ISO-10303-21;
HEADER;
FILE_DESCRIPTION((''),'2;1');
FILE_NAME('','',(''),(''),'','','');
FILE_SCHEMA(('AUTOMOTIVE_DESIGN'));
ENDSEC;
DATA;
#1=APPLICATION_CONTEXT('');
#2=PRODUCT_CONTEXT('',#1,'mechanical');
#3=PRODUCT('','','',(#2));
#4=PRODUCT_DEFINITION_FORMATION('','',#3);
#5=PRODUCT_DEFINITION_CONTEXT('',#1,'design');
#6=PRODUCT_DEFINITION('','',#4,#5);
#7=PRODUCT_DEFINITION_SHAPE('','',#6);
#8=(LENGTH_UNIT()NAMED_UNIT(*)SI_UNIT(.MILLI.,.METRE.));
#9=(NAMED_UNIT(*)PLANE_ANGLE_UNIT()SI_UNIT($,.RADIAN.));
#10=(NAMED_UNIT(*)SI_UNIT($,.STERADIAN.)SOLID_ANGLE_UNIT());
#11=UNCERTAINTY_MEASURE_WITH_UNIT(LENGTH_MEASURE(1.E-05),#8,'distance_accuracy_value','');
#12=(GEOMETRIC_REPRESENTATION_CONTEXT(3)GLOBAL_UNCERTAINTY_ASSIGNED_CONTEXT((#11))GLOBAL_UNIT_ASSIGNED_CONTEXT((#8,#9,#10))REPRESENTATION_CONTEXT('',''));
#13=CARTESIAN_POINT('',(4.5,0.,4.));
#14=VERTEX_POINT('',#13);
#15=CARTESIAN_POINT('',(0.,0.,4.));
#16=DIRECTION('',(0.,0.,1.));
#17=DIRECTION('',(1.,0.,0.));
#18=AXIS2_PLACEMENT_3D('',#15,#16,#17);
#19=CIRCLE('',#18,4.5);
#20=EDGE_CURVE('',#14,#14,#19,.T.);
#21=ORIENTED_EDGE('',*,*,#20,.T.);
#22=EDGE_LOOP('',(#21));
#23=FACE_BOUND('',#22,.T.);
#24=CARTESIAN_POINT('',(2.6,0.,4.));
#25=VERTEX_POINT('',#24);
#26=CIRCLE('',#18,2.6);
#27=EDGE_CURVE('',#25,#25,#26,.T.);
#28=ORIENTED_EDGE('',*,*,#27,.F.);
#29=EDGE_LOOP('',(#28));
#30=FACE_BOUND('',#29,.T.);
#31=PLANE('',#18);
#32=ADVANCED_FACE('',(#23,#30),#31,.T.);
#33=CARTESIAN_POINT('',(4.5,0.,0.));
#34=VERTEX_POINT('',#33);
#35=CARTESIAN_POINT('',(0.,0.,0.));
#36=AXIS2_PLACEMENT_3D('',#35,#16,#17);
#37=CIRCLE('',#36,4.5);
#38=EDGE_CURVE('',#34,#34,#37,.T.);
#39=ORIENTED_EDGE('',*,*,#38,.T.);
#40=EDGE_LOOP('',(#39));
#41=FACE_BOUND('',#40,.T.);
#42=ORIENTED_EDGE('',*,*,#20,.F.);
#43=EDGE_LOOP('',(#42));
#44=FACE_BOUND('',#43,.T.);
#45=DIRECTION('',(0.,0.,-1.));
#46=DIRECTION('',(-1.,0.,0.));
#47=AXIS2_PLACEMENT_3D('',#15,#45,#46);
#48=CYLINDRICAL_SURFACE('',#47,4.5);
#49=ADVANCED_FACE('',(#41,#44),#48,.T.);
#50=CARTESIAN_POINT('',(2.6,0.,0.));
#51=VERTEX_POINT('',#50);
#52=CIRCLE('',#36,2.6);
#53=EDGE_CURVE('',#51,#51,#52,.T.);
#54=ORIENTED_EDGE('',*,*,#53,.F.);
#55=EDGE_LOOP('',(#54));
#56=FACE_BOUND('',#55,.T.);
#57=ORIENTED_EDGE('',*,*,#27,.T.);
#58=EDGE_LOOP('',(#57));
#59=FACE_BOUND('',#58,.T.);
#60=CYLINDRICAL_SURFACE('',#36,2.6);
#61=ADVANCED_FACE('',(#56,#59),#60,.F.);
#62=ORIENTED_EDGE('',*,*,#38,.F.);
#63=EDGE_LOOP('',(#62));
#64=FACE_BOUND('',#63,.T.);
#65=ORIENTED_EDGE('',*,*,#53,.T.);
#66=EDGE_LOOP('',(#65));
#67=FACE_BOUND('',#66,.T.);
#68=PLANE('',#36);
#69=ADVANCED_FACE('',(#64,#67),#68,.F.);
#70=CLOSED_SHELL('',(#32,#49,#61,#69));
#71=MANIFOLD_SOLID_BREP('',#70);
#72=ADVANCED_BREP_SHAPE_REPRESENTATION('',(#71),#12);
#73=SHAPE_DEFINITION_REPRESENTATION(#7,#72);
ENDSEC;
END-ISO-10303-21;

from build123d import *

# Parameters (mm, degrees)
SKETCH1_R           = 4.5
BOSS_EXTRUDE1_DEPTH = 4
SKETCH2_R           = 2.6
CUT_EXTRUDE1_DEPTH  = 8.516648189


with BuildPart() as part:
    # Sketch1 → Boss-Extrude1 (new body)
    with BuildSketch(Plane.XY):
        Circle(SKETCH1_R)
    extrude(amount=BOSS_EXTRUDE1_DEPTH)

    # Sketch2 → Cut-Extrude1 (cut, through all)
    with BuildSketch(Plane.XY.offset(4)):
        Circle(SKETCH2_R)
    extrude(amount=-CUT_EXTRUDE1_DEPTH, mode=Mode.SUBTRACT)


solid = part.part
